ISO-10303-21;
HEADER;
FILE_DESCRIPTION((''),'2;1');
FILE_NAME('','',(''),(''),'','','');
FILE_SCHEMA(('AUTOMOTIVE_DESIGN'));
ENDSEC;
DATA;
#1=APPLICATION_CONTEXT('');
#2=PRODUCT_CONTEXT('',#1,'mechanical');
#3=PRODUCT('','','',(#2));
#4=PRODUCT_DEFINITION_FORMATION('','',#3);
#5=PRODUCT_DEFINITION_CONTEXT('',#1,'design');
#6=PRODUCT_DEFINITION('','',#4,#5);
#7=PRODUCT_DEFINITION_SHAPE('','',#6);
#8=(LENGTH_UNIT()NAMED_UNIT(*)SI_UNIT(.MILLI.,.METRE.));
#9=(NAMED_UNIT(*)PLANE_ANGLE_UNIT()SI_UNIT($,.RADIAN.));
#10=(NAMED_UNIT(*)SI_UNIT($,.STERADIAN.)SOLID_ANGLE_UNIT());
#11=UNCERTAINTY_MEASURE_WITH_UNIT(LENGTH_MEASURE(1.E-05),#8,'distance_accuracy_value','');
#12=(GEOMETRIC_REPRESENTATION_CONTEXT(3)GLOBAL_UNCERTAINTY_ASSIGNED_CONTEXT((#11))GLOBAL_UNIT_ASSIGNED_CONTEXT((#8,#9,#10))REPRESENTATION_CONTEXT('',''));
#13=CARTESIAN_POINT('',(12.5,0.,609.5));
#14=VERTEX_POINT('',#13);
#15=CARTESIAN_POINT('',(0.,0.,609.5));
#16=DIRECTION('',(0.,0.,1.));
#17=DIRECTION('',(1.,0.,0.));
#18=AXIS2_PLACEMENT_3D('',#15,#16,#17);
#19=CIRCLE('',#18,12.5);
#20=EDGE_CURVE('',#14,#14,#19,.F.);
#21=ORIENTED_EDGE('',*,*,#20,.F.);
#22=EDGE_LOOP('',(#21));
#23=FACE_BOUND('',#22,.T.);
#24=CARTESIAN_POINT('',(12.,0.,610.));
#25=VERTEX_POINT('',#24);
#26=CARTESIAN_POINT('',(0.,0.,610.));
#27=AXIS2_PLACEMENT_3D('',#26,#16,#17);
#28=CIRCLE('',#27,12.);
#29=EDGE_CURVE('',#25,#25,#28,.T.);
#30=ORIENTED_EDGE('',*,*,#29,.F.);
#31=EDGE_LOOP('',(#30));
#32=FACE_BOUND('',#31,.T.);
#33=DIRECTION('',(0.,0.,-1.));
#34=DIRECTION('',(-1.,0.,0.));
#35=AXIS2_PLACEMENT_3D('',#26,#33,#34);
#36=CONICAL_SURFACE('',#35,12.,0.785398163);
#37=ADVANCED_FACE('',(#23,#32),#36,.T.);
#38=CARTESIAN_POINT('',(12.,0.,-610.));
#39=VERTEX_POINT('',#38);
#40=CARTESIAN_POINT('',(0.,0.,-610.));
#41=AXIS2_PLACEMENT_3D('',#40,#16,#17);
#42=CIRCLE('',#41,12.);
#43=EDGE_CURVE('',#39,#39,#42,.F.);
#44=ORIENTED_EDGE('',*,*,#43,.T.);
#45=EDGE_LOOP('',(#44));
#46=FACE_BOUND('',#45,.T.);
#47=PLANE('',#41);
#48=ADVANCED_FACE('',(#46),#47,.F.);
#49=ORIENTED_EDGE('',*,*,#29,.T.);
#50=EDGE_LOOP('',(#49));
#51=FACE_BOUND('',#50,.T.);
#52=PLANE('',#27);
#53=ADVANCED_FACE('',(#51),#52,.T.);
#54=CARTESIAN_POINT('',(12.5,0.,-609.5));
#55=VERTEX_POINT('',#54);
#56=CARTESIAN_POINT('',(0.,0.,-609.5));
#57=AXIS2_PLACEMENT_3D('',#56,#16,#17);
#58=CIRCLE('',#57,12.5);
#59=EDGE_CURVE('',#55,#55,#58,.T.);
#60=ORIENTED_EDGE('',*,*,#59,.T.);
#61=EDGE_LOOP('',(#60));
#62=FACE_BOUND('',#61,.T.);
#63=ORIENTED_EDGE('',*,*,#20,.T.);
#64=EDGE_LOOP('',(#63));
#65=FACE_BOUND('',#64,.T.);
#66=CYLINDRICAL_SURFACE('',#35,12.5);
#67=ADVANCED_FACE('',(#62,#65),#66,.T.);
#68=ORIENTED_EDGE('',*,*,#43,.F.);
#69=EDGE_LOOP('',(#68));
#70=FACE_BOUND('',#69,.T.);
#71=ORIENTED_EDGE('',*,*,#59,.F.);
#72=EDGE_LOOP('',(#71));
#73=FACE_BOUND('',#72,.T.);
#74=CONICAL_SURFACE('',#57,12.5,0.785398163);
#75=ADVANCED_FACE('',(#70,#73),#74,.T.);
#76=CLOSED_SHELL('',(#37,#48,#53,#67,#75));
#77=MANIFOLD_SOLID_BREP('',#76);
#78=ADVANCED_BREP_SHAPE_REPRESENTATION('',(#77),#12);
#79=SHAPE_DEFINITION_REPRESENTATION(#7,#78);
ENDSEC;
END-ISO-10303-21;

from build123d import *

# Parameters (mm, degrees)
SKETCH3_R                = 12.5
BOSS_EXTRUDE1_DEPTH      = 610
BOSS_EXTRUDE1_DEPTH_BACK = 610
CHAMFER1_SIZE            = 0.5


with BuildPart() as part:
    # Sketch3 → Boss-Extrude1 (new body, two sides)
    with BuildSketch(Plane.XY) as boss_extrude1_sk:
        Circle(SKETCH3_R)
    extrude(amount=BOSS_EXTRUDE1_DEPTH)
    extrude(boss_extrude1_sk.sketch, amount=-BOSS_EXTRUDE1_DEPTH_BACK)

    # Chamfer1
    chamfer1_edges = [part.edges().sort_by_distance(p)[0] for p in [
        (-12.5, 0, -610),
        (-12.5, 0, 610),
    ]]
    chamfer(chamfer1_edges, length=CHAMFER1_SIZE)


solid = part.part
